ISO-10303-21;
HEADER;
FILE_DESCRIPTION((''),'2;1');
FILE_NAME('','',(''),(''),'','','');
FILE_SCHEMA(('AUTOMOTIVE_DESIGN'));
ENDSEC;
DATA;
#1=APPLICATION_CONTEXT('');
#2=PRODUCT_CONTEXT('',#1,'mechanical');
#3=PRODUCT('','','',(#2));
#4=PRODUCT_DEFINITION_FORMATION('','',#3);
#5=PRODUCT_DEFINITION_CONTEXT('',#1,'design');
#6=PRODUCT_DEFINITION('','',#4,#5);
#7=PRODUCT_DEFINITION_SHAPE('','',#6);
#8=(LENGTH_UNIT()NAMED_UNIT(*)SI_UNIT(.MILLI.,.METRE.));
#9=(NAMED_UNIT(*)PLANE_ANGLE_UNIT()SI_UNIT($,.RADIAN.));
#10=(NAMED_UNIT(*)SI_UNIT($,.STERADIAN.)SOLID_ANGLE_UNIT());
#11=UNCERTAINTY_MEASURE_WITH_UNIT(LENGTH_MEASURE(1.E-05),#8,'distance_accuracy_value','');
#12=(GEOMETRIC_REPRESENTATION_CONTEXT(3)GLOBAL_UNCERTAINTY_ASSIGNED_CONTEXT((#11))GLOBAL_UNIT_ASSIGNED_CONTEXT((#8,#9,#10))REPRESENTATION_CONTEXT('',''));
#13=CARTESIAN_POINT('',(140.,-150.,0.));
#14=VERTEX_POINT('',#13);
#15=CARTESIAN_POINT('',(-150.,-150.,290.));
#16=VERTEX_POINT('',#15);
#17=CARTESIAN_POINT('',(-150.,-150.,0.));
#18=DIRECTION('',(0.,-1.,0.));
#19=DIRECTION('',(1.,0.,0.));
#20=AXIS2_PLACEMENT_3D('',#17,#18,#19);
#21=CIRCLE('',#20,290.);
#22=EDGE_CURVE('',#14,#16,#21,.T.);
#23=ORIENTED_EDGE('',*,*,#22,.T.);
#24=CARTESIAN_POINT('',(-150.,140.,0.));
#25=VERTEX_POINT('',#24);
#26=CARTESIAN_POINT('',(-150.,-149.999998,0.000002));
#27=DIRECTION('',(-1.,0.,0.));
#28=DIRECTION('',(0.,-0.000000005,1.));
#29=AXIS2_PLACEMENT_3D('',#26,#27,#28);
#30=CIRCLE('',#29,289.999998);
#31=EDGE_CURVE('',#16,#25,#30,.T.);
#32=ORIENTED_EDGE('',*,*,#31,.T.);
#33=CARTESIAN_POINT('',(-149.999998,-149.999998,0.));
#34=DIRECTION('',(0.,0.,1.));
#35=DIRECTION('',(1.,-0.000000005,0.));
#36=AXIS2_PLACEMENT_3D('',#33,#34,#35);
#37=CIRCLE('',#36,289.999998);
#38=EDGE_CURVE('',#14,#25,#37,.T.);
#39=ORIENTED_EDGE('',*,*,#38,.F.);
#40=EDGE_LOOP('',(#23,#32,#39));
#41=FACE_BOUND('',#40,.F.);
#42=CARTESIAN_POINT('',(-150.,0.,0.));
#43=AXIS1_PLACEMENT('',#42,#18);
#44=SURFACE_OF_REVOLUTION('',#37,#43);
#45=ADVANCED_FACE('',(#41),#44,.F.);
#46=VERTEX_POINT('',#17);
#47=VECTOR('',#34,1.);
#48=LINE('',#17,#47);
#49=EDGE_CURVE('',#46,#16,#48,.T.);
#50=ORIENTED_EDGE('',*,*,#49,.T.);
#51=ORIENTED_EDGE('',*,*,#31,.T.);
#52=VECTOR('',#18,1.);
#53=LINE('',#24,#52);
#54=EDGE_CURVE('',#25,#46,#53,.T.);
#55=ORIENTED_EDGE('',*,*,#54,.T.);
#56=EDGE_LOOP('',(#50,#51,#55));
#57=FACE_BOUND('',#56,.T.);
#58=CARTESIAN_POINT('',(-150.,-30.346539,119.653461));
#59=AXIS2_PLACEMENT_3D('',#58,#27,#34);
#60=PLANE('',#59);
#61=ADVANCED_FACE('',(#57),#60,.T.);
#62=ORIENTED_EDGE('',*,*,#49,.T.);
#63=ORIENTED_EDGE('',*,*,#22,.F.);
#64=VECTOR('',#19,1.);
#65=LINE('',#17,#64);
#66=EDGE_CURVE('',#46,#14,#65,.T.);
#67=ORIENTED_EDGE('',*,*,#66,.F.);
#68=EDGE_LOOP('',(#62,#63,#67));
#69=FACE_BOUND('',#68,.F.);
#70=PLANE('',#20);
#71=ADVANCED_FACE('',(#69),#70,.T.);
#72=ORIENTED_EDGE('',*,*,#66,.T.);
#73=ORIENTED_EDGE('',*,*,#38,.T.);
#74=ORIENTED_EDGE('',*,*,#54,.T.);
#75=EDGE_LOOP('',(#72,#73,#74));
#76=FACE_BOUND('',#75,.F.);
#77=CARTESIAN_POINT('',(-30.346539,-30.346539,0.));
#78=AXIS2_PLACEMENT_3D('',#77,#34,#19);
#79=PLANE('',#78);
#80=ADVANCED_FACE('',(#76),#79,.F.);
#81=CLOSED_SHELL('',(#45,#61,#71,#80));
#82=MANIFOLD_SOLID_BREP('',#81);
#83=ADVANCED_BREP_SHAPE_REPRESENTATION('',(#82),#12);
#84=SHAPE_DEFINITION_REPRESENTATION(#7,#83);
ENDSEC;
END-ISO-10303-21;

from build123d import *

# Parameters (mm, degrees)
F1_ANGLE = -90


with BuildPart() as f1:
    # F0 (on Top) → F1 (revolve)
    with BuildSketch(Plane.XY):
        with BuildLine():
            Line((-150, -150), (140, -150))
            ThreePointArc((140, -150), (55.060967, 55.060967), (-150, 140))
            Line((-150, 140), (-150, -150))
        make_face()
    revolve(axis=Axis((-150, 0, 0), (0, 1, 0)), revolution_arc=F1_ANGLE)


solid = f1.part
